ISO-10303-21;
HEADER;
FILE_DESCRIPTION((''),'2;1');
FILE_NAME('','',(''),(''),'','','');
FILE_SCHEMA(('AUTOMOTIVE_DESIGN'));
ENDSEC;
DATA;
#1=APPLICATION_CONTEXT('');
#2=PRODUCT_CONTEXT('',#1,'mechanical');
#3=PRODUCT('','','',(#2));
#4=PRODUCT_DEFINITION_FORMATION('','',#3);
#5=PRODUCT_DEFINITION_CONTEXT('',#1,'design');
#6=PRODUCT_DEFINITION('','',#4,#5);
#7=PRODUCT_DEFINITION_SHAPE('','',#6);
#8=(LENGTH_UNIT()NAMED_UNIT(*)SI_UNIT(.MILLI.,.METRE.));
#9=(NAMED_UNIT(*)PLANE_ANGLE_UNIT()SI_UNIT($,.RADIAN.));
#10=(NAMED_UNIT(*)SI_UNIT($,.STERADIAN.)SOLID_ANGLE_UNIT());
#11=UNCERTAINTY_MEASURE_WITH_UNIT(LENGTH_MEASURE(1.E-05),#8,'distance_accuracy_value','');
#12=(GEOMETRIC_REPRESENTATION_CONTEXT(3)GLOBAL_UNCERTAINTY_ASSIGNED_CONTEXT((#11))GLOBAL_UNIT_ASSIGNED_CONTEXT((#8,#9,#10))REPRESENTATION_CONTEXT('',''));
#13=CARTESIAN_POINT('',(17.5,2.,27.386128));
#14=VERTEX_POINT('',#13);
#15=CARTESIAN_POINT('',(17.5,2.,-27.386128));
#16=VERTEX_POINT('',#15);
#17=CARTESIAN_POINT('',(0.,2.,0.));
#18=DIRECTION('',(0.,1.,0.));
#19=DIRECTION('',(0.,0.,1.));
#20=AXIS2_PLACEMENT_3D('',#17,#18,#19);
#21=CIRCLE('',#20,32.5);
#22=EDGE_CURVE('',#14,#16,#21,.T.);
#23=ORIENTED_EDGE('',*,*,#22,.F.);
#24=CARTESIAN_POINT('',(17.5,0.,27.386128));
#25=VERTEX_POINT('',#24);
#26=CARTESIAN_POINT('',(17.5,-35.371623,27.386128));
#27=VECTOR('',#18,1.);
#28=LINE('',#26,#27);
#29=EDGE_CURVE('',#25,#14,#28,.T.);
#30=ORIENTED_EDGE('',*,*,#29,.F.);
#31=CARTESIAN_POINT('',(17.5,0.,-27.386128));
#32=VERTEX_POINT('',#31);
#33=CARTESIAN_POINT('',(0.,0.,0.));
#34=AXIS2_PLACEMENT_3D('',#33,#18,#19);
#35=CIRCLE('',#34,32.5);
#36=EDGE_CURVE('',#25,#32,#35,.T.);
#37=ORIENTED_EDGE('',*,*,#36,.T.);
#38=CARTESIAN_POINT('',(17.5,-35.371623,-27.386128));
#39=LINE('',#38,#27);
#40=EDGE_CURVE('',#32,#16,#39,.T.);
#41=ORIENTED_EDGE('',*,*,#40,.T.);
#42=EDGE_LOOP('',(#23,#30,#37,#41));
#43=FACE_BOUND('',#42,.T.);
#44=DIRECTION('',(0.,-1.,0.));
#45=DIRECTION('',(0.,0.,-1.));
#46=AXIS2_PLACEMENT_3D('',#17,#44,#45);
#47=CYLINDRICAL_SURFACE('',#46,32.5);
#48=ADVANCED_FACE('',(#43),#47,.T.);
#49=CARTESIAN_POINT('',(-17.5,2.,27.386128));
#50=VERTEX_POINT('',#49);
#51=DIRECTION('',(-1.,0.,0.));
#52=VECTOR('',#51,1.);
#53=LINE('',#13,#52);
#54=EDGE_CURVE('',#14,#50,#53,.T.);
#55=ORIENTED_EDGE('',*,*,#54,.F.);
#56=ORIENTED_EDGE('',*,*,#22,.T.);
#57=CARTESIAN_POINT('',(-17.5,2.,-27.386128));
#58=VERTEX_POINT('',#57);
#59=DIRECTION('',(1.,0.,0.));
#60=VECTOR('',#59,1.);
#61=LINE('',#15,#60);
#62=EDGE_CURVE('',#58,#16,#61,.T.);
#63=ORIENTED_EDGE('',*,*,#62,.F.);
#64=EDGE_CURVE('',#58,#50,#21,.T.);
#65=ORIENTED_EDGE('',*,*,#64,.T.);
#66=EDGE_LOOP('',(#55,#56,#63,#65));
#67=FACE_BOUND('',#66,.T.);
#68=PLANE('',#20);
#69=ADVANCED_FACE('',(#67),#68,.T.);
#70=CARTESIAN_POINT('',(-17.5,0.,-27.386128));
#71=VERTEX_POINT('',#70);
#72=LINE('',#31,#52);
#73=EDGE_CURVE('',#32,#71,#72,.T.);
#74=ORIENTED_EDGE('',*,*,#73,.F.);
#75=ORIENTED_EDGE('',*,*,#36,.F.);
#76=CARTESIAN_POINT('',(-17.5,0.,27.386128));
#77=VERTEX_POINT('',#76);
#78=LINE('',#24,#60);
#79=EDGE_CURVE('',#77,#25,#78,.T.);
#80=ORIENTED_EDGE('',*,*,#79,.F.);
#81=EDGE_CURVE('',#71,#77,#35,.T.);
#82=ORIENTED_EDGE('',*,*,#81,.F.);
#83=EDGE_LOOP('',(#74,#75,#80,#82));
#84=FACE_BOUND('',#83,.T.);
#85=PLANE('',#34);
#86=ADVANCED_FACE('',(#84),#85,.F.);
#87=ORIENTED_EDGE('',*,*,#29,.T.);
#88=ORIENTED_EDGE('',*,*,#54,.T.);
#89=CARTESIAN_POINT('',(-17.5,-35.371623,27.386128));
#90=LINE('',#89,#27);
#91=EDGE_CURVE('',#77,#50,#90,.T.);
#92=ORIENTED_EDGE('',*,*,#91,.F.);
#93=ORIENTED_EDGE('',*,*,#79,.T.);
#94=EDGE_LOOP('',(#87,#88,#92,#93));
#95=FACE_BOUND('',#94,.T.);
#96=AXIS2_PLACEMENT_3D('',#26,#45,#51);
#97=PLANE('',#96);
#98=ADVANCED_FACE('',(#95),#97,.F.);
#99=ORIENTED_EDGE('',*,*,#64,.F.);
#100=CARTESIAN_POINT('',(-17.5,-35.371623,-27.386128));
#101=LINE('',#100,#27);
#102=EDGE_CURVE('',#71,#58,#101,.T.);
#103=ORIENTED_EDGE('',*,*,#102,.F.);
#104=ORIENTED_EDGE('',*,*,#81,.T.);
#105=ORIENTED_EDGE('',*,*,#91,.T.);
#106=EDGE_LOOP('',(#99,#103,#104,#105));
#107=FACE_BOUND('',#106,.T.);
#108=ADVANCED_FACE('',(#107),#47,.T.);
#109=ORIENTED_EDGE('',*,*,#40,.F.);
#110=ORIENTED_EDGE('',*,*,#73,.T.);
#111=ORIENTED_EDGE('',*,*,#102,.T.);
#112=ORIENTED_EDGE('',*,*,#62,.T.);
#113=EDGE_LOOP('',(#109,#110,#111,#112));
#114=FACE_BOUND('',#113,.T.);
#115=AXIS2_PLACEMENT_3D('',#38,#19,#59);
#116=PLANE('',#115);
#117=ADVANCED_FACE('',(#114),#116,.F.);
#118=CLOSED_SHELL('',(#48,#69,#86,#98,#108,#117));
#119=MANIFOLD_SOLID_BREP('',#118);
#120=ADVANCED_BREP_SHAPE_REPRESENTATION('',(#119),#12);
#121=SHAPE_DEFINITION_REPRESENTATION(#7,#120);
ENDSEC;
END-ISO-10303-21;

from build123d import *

# Parameters (mm, degrees)
SKETCH1_R           = 32.5
BOSS_EXTRUDE1_DEPTH = 2
CUT_EXTRUDE1_START  = -2
CUT_EXTRUDE1_DEPTH  = 2


with BuildPart() as part:
    # Sketch1 → Boss-Extrude1 (new body)
    with BuildSketch(Plane(origin=(0, 0, 0), x_dir=(1, 0, 0), z_dir=(0, 1, 0))):
        with Locations(Location((0, 0, 0), (0, 0, 270))):
            Circle(SKETCH1_R)
    extrude(amount=BOSS_EXTRUDE1_DEPTH)

    # Sketch2 → Cut-Extrude1 (cut)
    with BuildSketch(Plane(origin=(0, 2, 0), x_dir=(1, 0, 0), z_dir=(0, 1, 0)).offset(CUT_EXTRUDE1_START)):
        with BuildLine():
            Line((17.5, 27.386127875), (-17.5, 27.386127875))
            ThreePointArc((-17.5, 27.386127875), (0, 32.5), (17.5, 27.386127875))
        make_face()
        with BuildLine():
            Line((17.5, -27.386127875), (-17.5, -27.386127875))
            ThreePointArc((-17.5, -27.386127875), (0, -32.5), (17.5, -27.386127875))
        make_face()
    extrude(amount=CUT_EXTRUDE1_DEPTH, mode=Mode.SUBTRACT)


solid = part.part
